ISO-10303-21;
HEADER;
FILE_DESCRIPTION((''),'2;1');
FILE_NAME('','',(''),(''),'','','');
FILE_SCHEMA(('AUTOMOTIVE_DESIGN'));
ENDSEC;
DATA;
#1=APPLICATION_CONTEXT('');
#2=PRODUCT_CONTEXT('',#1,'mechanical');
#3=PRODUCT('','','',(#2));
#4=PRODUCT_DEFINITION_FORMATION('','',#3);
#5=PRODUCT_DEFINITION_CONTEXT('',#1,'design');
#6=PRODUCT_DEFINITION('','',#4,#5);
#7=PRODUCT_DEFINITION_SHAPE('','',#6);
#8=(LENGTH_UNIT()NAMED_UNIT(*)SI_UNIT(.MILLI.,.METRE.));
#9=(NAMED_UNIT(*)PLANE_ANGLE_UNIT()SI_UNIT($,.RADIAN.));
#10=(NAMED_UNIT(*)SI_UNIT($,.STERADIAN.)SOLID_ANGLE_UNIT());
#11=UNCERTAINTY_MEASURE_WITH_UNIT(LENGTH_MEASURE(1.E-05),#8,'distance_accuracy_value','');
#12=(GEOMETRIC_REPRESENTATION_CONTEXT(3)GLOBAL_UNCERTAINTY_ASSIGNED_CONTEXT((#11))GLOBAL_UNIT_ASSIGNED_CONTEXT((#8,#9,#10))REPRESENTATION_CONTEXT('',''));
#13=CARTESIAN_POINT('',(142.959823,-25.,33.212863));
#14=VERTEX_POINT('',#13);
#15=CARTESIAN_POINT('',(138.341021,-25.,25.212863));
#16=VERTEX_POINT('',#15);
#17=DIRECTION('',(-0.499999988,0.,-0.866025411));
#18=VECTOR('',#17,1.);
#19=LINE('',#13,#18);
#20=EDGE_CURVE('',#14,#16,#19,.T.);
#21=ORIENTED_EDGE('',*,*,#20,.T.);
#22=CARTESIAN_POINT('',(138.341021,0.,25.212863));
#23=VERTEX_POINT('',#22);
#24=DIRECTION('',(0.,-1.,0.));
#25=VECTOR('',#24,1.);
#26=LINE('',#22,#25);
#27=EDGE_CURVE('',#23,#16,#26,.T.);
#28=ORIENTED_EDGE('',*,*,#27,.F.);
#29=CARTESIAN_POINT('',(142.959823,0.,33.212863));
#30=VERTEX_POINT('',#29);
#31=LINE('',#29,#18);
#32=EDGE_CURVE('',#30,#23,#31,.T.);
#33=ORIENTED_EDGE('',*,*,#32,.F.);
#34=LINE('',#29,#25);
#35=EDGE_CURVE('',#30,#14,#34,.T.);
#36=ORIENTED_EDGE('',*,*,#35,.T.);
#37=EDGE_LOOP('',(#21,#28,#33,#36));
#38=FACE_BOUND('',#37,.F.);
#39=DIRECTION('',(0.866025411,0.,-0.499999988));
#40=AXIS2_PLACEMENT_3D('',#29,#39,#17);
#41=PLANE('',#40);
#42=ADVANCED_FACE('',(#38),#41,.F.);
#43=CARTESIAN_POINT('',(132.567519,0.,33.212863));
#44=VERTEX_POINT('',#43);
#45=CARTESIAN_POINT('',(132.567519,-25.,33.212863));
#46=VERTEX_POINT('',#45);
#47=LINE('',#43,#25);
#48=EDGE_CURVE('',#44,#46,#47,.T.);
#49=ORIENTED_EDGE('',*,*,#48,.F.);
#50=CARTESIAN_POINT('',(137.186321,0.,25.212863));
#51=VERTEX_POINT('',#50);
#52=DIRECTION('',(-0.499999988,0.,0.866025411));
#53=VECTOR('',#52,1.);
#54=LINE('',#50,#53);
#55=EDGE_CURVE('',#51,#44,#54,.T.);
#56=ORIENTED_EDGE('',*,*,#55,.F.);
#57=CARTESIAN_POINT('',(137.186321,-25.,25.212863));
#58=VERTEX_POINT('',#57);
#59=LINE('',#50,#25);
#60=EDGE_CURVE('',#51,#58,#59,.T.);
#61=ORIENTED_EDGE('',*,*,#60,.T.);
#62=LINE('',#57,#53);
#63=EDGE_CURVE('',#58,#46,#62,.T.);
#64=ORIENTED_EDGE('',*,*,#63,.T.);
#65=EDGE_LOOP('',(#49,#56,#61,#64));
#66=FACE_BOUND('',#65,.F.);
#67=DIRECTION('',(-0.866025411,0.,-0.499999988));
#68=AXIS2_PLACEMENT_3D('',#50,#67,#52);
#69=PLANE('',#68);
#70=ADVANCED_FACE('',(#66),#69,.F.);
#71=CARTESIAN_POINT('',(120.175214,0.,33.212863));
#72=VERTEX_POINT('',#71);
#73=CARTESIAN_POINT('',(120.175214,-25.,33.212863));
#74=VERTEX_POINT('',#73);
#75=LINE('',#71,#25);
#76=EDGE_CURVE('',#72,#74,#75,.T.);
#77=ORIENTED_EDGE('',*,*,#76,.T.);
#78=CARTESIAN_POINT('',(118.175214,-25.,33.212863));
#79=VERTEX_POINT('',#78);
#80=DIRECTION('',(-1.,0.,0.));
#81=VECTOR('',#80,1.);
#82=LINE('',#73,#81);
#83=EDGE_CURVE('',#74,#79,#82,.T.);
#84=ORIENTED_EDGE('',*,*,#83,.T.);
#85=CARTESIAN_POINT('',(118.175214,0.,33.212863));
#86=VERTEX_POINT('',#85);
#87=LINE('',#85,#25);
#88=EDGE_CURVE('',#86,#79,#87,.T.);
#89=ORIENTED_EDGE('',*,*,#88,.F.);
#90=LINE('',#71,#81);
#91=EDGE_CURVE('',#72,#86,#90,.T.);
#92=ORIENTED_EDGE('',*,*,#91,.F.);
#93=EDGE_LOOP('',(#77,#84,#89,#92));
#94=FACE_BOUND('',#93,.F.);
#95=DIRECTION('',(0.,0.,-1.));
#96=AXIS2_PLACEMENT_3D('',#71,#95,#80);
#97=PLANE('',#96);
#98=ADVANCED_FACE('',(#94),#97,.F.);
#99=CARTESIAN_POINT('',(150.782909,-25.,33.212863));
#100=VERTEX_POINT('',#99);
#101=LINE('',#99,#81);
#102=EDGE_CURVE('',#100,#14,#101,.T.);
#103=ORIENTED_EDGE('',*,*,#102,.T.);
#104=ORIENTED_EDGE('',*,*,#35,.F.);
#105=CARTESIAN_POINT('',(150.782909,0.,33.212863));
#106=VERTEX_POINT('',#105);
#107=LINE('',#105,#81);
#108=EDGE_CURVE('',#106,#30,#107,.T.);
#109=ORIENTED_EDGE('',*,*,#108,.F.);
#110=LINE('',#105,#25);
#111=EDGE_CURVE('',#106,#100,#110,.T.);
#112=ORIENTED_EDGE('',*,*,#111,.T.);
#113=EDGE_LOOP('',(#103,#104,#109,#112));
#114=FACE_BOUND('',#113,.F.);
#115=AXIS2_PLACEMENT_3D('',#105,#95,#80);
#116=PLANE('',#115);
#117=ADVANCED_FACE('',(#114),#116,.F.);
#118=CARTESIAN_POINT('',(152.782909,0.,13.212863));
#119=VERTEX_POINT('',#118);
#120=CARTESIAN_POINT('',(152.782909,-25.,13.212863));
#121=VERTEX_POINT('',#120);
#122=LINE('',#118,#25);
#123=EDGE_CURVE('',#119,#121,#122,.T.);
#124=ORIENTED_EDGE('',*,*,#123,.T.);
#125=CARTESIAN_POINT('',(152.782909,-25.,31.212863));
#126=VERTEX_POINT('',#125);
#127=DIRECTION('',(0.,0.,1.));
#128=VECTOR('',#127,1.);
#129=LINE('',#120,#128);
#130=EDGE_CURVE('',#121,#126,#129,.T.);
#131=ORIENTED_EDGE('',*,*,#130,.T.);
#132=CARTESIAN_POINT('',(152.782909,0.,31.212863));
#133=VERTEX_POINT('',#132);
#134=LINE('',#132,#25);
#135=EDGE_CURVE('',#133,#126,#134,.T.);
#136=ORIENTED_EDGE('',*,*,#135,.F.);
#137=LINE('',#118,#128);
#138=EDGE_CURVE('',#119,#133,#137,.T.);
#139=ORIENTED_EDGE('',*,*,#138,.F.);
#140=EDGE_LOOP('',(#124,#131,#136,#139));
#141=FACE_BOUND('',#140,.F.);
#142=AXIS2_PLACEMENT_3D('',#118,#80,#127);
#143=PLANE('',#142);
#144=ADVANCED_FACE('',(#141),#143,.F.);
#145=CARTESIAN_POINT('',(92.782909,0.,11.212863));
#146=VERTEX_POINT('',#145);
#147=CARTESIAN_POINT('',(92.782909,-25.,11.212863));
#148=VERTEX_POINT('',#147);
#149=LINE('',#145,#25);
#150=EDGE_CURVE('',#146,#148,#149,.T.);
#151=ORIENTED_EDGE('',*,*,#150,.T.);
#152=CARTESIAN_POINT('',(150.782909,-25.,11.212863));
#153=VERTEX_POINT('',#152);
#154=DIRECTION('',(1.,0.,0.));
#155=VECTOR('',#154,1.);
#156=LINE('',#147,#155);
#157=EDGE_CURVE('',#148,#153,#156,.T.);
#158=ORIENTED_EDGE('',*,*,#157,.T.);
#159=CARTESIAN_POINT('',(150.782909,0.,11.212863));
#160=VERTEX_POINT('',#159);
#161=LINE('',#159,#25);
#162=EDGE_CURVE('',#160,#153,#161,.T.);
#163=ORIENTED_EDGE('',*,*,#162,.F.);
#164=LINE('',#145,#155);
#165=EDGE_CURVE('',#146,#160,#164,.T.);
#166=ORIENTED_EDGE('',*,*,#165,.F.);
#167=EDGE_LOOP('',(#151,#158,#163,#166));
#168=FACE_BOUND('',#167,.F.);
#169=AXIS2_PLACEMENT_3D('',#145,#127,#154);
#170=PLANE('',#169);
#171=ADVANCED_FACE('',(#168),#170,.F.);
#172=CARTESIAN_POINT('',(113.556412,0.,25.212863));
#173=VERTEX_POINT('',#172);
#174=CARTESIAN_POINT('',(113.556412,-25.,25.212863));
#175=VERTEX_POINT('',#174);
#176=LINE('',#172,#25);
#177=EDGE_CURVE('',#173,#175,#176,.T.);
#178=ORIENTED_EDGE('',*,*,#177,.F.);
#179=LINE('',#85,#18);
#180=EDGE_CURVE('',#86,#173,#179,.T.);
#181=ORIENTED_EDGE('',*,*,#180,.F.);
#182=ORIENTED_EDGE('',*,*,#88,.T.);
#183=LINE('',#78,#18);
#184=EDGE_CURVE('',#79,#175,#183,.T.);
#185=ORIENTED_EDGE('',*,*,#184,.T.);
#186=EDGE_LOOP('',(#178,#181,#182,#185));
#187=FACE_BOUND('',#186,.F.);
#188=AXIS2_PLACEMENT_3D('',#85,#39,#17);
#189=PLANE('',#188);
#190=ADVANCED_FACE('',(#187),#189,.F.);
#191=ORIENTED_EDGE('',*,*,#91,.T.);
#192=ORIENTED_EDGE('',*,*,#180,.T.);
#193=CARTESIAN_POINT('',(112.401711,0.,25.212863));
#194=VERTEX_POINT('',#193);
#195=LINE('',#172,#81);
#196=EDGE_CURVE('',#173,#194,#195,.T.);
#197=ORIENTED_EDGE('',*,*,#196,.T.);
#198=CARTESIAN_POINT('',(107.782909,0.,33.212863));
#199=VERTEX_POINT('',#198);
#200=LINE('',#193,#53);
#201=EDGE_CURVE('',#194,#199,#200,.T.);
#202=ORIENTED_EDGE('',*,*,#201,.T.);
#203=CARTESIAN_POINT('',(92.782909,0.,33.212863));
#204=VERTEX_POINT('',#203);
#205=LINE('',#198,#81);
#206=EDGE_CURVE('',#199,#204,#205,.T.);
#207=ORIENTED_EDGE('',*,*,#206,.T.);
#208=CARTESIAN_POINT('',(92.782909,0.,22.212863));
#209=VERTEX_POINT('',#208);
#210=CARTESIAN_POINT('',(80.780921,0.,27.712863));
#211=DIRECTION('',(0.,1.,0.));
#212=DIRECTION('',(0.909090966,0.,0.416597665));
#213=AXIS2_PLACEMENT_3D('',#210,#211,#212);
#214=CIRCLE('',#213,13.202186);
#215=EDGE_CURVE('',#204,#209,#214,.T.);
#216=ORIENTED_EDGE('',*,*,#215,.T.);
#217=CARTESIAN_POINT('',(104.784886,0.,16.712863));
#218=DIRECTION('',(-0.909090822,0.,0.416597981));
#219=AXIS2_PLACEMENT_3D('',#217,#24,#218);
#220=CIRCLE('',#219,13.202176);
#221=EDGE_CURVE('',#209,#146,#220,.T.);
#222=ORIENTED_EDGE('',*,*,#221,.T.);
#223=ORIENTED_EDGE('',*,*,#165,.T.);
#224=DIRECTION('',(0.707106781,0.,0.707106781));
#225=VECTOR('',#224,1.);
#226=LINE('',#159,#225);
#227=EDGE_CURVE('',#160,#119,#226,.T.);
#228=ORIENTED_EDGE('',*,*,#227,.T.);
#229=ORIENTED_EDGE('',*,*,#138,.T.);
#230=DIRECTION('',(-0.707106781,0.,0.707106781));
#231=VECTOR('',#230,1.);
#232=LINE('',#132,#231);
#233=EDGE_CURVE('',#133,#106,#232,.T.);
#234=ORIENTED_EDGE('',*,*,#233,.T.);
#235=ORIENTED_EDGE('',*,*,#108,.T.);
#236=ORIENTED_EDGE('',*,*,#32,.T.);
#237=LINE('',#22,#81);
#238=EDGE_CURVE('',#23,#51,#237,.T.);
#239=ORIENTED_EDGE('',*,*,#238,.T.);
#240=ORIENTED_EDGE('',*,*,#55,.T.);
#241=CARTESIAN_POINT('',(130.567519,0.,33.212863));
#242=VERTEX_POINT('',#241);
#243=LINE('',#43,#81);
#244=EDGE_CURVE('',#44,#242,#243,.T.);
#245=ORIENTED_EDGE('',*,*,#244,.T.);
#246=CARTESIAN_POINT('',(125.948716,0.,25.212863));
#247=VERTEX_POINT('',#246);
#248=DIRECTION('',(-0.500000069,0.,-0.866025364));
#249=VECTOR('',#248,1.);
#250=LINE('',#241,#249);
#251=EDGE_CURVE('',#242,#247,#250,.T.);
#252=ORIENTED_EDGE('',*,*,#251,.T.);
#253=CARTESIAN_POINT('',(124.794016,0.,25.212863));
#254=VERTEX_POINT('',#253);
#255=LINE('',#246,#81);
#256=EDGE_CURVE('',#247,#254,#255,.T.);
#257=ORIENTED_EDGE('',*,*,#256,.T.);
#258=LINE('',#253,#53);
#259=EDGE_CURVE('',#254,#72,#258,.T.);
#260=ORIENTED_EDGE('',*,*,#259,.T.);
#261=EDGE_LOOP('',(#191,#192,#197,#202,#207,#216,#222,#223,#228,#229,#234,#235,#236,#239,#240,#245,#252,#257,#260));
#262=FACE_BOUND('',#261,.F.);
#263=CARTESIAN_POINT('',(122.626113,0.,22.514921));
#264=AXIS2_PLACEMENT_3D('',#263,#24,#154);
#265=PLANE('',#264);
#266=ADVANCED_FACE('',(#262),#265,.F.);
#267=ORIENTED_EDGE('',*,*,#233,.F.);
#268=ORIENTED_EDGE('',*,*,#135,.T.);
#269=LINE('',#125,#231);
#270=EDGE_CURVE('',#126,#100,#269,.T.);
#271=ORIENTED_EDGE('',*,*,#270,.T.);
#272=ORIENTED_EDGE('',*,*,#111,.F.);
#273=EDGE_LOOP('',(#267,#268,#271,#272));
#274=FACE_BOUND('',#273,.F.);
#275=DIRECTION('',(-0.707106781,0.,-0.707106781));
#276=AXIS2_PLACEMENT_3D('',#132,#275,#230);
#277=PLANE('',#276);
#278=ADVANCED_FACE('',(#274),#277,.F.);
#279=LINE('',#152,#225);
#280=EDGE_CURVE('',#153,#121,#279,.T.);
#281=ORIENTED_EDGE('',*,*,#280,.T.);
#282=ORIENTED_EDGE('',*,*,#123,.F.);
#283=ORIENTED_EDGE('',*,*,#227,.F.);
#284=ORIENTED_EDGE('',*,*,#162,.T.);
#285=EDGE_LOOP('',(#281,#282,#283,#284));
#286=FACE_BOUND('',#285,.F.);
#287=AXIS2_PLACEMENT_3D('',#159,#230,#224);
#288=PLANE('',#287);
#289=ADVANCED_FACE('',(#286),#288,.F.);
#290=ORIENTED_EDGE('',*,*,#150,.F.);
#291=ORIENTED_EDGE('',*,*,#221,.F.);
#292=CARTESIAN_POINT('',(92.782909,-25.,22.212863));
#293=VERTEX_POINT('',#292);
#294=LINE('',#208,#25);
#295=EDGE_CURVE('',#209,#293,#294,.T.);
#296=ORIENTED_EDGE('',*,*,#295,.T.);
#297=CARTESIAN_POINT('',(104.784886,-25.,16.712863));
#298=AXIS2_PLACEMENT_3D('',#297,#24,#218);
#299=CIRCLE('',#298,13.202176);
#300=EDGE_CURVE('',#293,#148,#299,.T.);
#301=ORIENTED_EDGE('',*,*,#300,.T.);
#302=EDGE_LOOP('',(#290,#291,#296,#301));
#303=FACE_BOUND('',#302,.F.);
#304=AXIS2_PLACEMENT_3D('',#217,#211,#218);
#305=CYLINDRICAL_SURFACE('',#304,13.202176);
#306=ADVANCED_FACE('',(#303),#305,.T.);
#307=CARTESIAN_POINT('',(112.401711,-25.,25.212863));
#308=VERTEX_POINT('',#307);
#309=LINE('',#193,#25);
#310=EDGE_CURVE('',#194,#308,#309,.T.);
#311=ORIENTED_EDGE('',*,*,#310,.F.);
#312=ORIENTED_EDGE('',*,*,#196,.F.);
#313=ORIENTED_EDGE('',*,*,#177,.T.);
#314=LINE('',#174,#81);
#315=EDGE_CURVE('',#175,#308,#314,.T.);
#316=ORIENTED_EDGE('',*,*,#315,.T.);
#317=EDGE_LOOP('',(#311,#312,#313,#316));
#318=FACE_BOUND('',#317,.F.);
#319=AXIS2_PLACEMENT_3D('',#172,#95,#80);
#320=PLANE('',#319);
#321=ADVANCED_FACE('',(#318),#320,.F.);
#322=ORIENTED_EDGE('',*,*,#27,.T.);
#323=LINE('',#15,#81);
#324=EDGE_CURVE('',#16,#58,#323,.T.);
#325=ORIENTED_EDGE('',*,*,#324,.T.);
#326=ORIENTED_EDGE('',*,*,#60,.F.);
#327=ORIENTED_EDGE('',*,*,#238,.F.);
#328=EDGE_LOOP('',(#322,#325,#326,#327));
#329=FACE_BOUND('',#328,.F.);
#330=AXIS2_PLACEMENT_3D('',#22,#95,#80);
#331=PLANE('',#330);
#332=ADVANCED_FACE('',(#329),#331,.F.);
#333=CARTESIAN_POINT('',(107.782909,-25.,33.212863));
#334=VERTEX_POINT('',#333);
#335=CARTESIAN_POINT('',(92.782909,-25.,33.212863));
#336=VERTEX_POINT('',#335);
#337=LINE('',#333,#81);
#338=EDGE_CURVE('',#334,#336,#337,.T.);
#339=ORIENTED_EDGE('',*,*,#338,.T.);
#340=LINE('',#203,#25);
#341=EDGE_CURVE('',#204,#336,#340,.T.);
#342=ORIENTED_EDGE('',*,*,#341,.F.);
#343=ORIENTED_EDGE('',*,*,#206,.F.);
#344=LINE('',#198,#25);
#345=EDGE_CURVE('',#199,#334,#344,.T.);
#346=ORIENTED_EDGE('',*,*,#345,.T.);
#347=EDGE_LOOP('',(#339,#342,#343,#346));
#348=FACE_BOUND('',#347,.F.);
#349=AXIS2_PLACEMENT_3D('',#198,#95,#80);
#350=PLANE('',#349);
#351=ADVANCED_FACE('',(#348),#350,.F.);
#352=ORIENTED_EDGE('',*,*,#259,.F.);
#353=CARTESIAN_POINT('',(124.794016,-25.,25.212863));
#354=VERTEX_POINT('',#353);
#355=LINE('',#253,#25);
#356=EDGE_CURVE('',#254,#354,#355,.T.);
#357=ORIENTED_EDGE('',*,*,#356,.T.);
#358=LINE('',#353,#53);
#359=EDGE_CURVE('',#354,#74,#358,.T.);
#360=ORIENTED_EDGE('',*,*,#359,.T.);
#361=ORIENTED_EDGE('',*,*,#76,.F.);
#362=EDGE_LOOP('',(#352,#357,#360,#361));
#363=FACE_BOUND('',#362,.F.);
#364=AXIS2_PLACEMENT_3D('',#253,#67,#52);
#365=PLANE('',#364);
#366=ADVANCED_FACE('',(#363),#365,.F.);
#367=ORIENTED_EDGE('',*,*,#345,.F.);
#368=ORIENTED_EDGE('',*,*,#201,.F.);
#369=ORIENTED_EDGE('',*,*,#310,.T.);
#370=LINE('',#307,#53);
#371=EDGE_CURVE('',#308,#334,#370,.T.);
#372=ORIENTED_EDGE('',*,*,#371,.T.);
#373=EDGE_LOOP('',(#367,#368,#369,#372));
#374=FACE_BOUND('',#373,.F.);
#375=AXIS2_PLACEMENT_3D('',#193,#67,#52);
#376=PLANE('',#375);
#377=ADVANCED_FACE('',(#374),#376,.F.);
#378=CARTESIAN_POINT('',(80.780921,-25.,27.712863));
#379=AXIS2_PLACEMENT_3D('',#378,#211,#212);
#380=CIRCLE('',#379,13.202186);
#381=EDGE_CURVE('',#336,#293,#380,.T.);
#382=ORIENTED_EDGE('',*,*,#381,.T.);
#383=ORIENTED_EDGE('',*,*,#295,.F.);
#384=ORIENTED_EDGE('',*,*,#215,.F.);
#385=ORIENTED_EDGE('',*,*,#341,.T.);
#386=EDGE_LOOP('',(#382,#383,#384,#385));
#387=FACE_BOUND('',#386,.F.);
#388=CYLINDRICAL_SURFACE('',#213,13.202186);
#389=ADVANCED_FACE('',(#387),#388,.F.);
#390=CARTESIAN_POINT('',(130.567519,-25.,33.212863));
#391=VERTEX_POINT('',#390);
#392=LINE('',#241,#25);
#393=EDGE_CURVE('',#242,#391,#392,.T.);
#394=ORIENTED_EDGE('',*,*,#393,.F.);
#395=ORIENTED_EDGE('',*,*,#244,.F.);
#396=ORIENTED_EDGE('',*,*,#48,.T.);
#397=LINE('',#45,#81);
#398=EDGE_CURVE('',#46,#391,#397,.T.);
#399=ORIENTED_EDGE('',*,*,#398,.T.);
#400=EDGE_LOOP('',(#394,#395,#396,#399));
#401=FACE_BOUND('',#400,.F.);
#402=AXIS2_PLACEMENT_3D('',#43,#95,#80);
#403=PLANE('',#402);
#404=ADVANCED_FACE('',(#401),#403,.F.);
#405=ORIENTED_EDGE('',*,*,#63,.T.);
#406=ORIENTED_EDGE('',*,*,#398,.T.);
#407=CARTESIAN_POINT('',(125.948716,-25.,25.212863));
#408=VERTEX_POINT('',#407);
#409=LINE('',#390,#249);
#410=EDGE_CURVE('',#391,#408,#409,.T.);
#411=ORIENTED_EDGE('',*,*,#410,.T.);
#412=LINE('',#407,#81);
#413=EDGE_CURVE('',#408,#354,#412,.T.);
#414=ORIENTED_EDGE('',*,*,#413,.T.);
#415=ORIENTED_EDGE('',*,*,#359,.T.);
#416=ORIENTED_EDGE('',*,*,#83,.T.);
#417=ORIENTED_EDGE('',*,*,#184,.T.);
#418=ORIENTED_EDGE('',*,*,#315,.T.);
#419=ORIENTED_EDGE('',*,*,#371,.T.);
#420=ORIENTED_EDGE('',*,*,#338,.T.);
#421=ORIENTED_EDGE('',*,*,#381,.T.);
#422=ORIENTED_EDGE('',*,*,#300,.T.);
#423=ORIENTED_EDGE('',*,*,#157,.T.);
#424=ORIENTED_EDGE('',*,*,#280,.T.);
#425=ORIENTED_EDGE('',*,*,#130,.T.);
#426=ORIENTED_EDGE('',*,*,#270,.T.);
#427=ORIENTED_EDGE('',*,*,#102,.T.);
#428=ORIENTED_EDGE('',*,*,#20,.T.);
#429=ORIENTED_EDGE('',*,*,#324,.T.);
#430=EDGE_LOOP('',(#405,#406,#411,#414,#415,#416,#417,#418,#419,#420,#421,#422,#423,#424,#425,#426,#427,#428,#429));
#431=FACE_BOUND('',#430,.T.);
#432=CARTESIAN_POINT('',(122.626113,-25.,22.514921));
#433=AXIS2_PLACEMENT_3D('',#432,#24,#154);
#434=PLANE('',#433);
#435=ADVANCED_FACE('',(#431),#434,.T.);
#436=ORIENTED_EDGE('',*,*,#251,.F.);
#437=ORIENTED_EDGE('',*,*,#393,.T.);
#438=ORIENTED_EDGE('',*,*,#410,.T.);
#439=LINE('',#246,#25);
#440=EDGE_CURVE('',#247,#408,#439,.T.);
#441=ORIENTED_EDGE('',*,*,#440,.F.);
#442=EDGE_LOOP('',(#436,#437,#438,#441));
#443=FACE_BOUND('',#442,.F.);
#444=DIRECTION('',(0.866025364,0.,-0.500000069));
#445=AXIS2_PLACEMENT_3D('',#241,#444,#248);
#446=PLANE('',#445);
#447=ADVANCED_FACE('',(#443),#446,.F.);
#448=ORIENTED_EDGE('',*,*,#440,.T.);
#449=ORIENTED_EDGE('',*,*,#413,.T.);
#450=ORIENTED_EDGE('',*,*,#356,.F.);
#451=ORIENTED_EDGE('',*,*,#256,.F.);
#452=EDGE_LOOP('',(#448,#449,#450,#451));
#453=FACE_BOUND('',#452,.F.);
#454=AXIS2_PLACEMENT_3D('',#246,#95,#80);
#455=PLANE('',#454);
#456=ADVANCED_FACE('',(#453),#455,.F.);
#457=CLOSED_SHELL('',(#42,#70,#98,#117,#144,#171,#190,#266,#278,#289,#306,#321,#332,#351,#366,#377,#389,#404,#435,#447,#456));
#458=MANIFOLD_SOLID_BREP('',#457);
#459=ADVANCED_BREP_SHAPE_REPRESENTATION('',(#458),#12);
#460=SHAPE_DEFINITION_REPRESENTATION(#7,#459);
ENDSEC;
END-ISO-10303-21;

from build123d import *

# Parameters (mm, degrees)
F1_DEPTH = 25


with BuildPart() as f1:
    # F0 (on Front) → F1 (new body)
    with BuildSketch(Plane.XZ):
        with BuildLine():
            Line((107.782909, 33.212863), (92.782909, 33.212863))
            ThreePointArc((92.782909, 33.212863), (93.983107, 27.712863), (92.782909, 22.212863))
            ThreePointArc((92.782909, 22.212863), (91.58271, 16.712863), (92.782909, 11.212863))
            Line((92.782909, 11.212863), (150.782909, 11.212863))
            Line((150.782909, 11.212863), (152.782909, 13.212863))
            Line((152.782909, 13.212863), (152.782909, 22.212863))
            Line((152.782909, 22.212863), (152.782909, 31.212863))
            Line((152.782909, 31.212863), (150.782909, 33.212863))
            Line((150.782909, 33.212863), (142.959823, 33.212863))
            Line((142.959823, 33.212863), (138.341021, 25.212863))
            Line((138.341021, 25.212863), (137.186321, 25.212863))
            Line((137.186321, 25.212863), (132.567519, 33.212863))
            Line((132.567519, 33.212863), (131.567519, 33.212863))
            Line((131.567519, 33.212863), (130.567519, 33.212863))
            Line((130.567519, 33.212863), (125.948716, 25.212863))
            Line((125.948716, 25.212863), (124.794016, 25.212863))
            Line((124.794016, 25.212863), (120.175214, 33.212863))
            Line((120.175214, 33.212863), (119.175214, 33.212863))
            Line((119.175214, 33.212863), (118.175214, 33.212863))
            Line((118.175214, 33.212863), (113.556412, 25.212863))
            Line((113.556412, 25.212863), (112.979061, 24.212863))
            Line((112.979061, 24.212863), (112.401711, 25.212863))
            Line((112.401711, 25.212863), (107.782909, 33.212863))
        make_face()
        Polygon((113.556412, 25.212863), (112.401711, 25.212863), (112.979061, 24.212863), align=None)
    extrude(amount=F1_DEPTH)


solid = f1.part
